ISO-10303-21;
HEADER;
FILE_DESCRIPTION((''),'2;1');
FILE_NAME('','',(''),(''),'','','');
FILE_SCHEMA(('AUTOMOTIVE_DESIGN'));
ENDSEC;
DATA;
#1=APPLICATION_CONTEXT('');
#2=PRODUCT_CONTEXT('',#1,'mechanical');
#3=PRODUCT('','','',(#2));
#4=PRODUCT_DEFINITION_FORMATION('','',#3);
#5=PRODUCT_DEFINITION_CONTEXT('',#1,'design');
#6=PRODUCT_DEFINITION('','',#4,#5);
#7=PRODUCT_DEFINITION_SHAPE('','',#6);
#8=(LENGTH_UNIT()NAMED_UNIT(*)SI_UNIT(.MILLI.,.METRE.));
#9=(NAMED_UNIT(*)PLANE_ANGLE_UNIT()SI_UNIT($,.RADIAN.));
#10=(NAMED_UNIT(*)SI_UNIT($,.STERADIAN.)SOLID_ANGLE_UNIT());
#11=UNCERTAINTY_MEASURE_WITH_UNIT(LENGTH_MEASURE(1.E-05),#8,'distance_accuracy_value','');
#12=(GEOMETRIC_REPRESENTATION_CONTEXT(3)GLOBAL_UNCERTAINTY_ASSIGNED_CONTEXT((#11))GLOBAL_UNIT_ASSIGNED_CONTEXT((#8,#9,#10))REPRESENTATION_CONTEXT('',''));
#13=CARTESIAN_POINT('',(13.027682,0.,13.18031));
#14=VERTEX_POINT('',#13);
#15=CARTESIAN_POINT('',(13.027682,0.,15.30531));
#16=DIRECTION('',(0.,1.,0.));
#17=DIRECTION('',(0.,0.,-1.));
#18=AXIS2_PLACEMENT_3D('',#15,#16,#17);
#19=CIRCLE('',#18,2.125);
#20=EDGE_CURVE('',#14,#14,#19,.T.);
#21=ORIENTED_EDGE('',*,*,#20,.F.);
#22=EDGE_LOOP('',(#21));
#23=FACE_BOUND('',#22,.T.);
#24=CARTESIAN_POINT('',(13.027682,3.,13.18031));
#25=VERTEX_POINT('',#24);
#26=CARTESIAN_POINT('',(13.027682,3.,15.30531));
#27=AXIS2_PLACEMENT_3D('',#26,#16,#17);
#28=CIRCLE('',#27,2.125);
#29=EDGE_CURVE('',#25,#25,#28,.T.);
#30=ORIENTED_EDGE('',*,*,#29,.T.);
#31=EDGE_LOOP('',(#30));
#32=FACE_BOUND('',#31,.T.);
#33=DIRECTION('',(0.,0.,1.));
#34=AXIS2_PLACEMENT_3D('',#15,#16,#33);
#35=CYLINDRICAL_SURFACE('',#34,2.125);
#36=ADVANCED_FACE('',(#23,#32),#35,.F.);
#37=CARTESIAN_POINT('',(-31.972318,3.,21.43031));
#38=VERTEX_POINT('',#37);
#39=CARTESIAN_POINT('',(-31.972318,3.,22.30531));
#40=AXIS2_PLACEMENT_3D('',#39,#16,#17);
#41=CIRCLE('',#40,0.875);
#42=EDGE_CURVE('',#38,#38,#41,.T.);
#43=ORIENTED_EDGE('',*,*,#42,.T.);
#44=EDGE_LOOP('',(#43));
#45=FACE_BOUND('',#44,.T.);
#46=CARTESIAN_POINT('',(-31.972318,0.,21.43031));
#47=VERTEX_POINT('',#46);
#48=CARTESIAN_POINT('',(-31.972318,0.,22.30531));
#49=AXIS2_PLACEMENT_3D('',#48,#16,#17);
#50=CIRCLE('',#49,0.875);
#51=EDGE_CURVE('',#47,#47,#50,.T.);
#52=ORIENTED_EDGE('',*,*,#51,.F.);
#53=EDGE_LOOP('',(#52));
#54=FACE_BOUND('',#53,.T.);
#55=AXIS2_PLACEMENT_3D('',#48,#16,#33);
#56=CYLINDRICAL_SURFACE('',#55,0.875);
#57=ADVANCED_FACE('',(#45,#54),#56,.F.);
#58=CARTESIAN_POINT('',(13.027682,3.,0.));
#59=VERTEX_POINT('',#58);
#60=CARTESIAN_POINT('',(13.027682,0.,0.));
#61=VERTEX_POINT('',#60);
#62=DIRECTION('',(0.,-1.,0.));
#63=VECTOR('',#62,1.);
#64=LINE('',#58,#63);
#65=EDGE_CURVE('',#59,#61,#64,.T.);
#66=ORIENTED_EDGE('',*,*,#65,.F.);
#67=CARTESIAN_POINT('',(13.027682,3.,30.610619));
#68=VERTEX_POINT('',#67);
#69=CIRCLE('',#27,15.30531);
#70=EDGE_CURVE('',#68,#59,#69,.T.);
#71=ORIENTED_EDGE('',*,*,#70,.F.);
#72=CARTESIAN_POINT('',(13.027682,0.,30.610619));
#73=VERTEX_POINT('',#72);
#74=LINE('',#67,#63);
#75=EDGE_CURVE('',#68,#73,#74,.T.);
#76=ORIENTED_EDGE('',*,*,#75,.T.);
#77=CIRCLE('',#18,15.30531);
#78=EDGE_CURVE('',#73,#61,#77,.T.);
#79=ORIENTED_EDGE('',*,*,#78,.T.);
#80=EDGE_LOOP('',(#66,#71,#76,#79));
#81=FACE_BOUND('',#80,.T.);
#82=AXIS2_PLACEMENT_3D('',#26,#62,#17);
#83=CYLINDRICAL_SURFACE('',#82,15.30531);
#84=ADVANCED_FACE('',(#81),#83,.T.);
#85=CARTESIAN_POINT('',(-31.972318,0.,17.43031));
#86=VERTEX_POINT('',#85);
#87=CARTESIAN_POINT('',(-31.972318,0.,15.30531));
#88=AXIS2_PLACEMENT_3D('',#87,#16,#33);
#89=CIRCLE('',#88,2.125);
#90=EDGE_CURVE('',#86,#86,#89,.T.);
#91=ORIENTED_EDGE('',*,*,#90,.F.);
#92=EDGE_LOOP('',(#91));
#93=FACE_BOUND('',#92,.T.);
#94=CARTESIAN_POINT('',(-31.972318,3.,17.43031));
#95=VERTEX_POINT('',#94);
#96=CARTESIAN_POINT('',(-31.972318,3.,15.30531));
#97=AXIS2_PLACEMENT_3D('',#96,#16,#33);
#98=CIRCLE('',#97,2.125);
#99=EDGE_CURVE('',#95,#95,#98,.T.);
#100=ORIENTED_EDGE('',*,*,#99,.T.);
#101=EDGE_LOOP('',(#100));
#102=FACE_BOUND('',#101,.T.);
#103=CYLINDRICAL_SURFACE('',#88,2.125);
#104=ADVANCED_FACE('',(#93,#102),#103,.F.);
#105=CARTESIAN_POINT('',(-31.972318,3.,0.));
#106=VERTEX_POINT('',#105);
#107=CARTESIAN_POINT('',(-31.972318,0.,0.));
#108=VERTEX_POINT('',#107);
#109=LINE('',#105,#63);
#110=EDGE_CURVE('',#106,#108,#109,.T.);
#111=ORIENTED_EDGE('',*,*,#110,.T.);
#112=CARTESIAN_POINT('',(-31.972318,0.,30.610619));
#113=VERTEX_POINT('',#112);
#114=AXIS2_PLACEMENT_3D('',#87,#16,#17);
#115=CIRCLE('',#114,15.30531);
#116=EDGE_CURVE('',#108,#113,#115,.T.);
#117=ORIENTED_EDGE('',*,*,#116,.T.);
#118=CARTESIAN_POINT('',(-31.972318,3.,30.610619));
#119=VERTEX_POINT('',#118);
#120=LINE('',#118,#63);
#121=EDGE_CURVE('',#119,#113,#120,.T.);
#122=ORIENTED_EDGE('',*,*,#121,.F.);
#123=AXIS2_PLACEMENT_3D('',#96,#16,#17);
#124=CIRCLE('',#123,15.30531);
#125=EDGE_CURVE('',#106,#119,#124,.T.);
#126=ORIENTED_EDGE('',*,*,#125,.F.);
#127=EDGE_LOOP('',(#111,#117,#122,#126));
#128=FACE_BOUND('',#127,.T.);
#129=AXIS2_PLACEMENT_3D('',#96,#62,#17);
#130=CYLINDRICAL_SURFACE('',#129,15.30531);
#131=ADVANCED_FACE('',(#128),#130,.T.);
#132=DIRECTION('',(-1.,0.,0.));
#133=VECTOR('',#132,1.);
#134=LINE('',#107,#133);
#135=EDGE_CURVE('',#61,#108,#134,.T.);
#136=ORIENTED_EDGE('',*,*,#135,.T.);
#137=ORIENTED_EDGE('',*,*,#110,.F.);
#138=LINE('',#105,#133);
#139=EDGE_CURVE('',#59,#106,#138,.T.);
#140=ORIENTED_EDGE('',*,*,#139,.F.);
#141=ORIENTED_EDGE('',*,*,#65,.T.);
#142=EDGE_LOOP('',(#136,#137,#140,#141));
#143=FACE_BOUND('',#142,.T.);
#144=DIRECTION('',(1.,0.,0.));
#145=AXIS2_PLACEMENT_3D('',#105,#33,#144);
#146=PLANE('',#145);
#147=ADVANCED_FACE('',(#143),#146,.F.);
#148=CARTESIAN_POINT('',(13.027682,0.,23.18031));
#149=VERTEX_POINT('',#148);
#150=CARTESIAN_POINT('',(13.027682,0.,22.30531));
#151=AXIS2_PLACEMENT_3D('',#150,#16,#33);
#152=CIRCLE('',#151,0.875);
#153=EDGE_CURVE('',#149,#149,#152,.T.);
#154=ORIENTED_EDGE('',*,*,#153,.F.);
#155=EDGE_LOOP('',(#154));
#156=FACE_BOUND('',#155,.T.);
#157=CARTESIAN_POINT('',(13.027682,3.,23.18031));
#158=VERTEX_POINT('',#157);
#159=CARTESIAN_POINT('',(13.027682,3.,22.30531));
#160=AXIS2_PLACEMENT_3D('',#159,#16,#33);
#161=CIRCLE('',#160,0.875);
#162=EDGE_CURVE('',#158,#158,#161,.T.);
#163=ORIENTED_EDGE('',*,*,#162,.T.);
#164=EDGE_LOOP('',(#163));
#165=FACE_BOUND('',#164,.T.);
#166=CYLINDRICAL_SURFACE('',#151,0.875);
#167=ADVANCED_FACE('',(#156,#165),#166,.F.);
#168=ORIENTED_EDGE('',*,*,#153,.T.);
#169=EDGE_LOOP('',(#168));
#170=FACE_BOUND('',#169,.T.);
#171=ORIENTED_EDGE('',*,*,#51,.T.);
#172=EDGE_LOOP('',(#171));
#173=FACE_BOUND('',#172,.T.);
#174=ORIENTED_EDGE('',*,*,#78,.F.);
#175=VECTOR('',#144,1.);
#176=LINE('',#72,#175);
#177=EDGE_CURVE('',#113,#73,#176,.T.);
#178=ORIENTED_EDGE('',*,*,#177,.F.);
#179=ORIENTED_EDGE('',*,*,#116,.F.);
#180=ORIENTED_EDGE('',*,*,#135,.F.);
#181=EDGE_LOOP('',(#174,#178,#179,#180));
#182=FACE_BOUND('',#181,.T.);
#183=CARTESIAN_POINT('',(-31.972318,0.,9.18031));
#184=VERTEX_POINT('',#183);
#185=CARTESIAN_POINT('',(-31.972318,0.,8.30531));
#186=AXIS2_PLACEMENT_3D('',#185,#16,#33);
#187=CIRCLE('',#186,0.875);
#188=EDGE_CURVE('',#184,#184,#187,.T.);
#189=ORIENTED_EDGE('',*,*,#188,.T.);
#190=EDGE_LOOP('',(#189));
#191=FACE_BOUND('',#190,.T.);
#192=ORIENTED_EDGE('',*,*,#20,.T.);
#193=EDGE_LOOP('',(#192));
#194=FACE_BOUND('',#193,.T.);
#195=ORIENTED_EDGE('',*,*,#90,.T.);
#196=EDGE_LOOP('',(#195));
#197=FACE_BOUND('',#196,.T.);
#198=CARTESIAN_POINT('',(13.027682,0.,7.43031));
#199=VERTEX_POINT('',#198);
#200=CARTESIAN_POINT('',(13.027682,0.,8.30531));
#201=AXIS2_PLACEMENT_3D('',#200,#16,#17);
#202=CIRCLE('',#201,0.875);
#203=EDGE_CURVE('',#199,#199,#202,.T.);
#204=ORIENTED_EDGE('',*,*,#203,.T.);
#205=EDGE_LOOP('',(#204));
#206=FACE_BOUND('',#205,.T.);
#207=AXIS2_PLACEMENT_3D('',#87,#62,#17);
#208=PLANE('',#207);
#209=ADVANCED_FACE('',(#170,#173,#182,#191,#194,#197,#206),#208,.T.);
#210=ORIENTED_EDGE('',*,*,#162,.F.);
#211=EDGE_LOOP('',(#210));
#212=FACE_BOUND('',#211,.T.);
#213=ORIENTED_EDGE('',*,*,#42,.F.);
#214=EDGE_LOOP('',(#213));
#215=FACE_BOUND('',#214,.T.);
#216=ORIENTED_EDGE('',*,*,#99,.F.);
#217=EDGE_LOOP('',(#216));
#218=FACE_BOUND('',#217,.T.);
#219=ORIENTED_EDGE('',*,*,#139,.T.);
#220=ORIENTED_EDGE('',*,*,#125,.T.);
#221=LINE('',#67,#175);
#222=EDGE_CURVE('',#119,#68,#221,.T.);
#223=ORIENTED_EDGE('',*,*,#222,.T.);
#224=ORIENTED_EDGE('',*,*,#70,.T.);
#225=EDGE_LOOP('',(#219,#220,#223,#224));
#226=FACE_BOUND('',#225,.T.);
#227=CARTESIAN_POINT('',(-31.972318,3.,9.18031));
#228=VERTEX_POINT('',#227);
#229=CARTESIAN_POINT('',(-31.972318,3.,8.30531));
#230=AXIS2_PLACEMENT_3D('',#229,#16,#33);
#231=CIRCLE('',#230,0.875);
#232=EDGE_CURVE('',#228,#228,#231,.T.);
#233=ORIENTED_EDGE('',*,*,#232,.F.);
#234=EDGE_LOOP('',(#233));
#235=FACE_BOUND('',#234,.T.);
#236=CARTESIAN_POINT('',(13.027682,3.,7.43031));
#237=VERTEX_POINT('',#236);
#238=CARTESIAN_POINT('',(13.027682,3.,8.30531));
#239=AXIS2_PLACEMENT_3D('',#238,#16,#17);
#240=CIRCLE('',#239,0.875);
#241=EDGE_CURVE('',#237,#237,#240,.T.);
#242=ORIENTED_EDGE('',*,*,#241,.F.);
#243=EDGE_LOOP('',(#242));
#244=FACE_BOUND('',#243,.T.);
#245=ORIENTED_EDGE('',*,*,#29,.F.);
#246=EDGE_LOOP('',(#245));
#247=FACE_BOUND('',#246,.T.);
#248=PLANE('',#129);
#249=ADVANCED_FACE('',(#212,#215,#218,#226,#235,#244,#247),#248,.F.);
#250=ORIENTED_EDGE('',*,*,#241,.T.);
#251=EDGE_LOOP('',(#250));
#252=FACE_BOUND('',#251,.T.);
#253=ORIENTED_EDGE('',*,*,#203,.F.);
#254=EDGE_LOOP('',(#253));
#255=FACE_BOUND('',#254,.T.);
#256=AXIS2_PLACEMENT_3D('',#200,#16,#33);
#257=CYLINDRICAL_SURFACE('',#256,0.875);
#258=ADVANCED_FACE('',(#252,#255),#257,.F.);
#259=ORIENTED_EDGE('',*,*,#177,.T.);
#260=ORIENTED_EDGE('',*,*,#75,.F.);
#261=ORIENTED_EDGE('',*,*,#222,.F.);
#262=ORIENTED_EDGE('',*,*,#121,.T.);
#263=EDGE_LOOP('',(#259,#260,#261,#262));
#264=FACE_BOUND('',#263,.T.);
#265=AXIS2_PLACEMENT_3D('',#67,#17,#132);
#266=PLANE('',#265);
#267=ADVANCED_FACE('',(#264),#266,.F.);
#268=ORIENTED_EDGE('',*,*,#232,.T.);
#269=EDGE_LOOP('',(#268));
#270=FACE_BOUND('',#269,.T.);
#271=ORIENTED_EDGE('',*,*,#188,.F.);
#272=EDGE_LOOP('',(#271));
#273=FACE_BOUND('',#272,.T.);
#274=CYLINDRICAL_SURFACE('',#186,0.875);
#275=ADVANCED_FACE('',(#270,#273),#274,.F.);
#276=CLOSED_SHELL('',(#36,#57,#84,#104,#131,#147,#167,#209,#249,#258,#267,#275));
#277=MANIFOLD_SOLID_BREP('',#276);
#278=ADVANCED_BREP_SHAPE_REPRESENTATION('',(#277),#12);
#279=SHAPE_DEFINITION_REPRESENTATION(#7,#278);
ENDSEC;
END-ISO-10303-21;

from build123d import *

# Parameters (mm, degrees)
BOSS_EXTRUDE1_DEPTH = 3
SKETCH2_R           = 2.125
SKETCH2_R_2         = 0.875
CUT_EXTRUDE1_DEPTH  = 57.401986652


with BuildPart() as part:
    # Sketch1 → Boss-Extrude1 (new body)
    with BuildSketch(Plane(origin=(0, 0, 0), x_dir=(1, 0, 0), z_dir=(0, 1, 0))):
        with BuildLine():
            Line((-31.972318339, 0), (13.027681661, 0))
            ThreePointArc((13.027681661, 0), (28.332991201, -15.30530954), (13.027681661, -30.61061908))
            Line((13.027681661, -30.61061908), (-31.972318339, -30.61061908))
            ThreePointArc((-31.972318339, -30.61061908), (-47.277627879, -15.30530954), (-31.972318339, 0))
        make_face()
    extrude(amount=BOSS_EXTRUDE1_DEPTH)

    # Sketch2 → Cut-Extrude1 (cut, through all)
    with BuildSketch(Plane(origin=(0, 3, 0), x_dir=(1, 0, 0), z_dir=(0, 1, 0))):
        with Locations(Location((-31.972318339, -15.30530954, 0), (0, 0, 270))):
            Circle(SKETCH2_R)
        with Locations(Location((-31.972318339, -8.30530954, 0), (0, 0, 270))):
            Circle(SKETCH2_R_2)
        with Locations(Location((-31.972318339, -22.30530954, 0), (0, 0, 90))):
            Circle(SKETCH2_R_2)
        with Locations(Location((13.027681661, -8.30530954, 0), (0, 0, 90))):
            Circle(SKETCH2_R_2)
        with Locations(Location((13.027681661, -15.30530954, 0), (0, 0, 90))):
            Circle(SKETCH2_R)
        with Locations(Location((13.027681661, -22.30530954, 0), (0, 0, 270))):
            Circle(SKETCH2_R_2)
    extrude(amount=-CUT_EXTRUDE1_DEPTH, mode=Mode.SUBTRACT)


solid = part.part
